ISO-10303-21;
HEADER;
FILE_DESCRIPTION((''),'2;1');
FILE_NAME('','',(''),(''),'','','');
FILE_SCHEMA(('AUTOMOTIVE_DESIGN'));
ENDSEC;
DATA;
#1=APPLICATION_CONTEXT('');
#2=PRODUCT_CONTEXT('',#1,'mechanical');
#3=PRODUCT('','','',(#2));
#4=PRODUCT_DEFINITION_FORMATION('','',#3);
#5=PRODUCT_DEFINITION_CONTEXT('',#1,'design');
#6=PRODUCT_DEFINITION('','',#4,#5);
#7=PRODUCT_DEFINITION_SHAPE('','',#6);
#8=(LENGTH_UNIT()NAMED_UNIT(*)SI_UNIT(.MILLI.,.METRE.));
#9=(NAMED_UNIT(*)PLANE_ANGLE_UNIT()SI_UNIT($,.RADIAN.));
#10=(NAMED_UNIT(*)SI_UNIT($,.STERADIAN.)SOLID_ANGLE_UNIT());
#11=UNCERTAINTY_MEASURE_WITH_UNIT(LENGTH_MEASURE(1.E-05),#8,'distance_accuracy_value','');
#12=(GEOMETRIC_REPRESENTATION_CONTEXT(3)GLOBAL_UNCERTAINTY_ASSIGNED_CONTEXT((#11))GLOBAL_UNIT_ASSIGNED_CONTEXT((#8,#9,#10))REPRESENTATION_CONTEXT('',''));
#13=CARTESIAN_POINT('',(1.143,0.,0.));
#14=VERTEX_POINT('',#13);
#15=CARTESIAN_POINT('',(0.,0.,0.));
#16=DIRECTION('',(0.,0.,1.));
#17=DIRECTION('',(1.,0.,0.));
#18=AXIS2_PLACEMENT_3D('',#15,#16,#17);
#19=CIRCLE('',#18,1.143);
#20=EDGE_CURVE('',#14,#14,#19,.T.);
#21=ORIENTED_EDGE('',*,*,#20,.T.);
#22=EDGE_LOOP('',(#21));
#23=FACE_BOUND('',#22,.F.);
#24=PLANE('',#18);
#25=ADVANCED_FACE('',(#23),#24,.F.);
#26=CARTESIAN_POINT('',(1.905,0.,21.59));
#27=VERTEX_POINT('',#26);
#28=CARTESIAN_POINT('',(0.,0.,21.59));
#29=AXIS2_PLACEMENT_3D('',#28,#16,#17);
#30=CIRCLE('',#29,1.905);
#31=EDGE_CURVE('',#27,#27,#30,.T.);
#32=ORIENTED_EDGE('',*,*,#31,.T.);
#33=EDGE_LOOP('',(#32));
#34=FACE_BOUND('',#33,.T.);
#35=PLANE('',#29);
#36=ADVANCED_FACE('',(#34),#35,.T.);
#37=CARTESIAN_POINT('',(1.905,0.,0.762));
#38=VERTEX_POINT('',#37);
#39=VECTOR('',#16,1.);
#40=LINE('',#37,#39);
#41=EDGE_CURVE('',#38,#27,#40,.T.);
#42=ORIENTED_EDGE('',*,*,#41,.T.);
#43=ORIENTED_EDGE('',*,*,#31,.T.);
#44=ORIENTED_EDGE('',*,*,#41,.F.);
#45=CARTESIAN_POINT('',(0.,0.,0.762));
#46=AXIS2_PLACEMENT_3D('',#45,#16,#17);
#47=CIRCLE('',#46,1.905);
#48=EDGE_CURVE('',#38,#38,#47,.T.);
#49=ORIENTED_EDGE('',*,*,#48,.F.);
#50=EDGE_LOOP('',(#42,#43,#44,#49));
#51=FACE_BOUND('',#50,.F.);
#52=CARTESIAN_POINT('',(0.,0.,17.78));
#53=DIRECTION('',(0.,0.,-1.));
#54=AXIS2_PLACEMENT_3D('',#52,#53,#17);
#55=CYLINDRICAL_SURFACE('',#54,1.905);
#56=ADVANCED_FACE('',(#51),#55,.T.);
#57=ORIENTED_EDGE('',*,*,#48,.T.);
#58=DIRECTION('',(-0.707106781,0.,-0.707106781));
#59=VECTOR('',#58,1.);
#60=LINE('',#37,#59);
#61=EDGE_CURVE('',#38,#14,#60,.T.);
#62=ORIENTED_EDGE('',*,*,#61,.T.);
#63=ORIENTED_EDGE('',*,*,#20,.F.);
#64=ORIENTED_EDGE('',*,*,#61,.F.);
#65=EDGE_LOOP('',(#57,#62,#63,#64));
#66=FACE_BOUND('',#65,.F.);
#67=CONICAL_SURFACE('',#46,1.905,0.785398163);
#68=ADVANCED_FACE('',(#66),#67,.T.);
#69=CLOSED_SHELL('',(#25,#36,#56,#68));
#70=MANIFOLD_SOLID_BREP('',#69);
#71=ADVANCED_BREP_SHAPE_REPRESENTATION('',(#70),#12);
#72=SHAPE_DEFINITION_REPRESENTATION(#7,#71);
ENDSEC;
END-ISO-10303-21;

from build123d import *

# Parameters (mm, degrees)
F0_R     = 1.905
F1_DEPTH = 25.4
F2_SIZE  = 0.762
F3_DEPTH = 7.62
F4_DEPTH = 3.81


with BuildPart() as f1:
    # F0 (on Top) → F1 (new body)
    with BuildSketch(Plane.XY):
        Circle(F0_R)
    extrude(amount=F1_DEPTH)

    # F2
    f2_edges = [f1.edges().sort_by_distance(p)[0] for p in [
        (-1.905, 0, 0),
    ]]
    chamfer(f2_edges, length=F2_SIZE)

    # F3 (cut): a face of the model
    f3_faces = [f1.faces().sort_by_distance(p)[0] for p in [
        (0, 0, 25.4),
    ]]
    extrude(f3_faces, amount=-F3_DEPTH, mode=Mode.SUBTRACT)

    # F4 (add): a face of the model
    f4_faces = [f1.faces().sort_by_distance(p)[0] for p in [
        (0, 0, 17.78),
    ]]
    extrude(f4_faces, amount=F4_DEPTH)


solid = f1.part
